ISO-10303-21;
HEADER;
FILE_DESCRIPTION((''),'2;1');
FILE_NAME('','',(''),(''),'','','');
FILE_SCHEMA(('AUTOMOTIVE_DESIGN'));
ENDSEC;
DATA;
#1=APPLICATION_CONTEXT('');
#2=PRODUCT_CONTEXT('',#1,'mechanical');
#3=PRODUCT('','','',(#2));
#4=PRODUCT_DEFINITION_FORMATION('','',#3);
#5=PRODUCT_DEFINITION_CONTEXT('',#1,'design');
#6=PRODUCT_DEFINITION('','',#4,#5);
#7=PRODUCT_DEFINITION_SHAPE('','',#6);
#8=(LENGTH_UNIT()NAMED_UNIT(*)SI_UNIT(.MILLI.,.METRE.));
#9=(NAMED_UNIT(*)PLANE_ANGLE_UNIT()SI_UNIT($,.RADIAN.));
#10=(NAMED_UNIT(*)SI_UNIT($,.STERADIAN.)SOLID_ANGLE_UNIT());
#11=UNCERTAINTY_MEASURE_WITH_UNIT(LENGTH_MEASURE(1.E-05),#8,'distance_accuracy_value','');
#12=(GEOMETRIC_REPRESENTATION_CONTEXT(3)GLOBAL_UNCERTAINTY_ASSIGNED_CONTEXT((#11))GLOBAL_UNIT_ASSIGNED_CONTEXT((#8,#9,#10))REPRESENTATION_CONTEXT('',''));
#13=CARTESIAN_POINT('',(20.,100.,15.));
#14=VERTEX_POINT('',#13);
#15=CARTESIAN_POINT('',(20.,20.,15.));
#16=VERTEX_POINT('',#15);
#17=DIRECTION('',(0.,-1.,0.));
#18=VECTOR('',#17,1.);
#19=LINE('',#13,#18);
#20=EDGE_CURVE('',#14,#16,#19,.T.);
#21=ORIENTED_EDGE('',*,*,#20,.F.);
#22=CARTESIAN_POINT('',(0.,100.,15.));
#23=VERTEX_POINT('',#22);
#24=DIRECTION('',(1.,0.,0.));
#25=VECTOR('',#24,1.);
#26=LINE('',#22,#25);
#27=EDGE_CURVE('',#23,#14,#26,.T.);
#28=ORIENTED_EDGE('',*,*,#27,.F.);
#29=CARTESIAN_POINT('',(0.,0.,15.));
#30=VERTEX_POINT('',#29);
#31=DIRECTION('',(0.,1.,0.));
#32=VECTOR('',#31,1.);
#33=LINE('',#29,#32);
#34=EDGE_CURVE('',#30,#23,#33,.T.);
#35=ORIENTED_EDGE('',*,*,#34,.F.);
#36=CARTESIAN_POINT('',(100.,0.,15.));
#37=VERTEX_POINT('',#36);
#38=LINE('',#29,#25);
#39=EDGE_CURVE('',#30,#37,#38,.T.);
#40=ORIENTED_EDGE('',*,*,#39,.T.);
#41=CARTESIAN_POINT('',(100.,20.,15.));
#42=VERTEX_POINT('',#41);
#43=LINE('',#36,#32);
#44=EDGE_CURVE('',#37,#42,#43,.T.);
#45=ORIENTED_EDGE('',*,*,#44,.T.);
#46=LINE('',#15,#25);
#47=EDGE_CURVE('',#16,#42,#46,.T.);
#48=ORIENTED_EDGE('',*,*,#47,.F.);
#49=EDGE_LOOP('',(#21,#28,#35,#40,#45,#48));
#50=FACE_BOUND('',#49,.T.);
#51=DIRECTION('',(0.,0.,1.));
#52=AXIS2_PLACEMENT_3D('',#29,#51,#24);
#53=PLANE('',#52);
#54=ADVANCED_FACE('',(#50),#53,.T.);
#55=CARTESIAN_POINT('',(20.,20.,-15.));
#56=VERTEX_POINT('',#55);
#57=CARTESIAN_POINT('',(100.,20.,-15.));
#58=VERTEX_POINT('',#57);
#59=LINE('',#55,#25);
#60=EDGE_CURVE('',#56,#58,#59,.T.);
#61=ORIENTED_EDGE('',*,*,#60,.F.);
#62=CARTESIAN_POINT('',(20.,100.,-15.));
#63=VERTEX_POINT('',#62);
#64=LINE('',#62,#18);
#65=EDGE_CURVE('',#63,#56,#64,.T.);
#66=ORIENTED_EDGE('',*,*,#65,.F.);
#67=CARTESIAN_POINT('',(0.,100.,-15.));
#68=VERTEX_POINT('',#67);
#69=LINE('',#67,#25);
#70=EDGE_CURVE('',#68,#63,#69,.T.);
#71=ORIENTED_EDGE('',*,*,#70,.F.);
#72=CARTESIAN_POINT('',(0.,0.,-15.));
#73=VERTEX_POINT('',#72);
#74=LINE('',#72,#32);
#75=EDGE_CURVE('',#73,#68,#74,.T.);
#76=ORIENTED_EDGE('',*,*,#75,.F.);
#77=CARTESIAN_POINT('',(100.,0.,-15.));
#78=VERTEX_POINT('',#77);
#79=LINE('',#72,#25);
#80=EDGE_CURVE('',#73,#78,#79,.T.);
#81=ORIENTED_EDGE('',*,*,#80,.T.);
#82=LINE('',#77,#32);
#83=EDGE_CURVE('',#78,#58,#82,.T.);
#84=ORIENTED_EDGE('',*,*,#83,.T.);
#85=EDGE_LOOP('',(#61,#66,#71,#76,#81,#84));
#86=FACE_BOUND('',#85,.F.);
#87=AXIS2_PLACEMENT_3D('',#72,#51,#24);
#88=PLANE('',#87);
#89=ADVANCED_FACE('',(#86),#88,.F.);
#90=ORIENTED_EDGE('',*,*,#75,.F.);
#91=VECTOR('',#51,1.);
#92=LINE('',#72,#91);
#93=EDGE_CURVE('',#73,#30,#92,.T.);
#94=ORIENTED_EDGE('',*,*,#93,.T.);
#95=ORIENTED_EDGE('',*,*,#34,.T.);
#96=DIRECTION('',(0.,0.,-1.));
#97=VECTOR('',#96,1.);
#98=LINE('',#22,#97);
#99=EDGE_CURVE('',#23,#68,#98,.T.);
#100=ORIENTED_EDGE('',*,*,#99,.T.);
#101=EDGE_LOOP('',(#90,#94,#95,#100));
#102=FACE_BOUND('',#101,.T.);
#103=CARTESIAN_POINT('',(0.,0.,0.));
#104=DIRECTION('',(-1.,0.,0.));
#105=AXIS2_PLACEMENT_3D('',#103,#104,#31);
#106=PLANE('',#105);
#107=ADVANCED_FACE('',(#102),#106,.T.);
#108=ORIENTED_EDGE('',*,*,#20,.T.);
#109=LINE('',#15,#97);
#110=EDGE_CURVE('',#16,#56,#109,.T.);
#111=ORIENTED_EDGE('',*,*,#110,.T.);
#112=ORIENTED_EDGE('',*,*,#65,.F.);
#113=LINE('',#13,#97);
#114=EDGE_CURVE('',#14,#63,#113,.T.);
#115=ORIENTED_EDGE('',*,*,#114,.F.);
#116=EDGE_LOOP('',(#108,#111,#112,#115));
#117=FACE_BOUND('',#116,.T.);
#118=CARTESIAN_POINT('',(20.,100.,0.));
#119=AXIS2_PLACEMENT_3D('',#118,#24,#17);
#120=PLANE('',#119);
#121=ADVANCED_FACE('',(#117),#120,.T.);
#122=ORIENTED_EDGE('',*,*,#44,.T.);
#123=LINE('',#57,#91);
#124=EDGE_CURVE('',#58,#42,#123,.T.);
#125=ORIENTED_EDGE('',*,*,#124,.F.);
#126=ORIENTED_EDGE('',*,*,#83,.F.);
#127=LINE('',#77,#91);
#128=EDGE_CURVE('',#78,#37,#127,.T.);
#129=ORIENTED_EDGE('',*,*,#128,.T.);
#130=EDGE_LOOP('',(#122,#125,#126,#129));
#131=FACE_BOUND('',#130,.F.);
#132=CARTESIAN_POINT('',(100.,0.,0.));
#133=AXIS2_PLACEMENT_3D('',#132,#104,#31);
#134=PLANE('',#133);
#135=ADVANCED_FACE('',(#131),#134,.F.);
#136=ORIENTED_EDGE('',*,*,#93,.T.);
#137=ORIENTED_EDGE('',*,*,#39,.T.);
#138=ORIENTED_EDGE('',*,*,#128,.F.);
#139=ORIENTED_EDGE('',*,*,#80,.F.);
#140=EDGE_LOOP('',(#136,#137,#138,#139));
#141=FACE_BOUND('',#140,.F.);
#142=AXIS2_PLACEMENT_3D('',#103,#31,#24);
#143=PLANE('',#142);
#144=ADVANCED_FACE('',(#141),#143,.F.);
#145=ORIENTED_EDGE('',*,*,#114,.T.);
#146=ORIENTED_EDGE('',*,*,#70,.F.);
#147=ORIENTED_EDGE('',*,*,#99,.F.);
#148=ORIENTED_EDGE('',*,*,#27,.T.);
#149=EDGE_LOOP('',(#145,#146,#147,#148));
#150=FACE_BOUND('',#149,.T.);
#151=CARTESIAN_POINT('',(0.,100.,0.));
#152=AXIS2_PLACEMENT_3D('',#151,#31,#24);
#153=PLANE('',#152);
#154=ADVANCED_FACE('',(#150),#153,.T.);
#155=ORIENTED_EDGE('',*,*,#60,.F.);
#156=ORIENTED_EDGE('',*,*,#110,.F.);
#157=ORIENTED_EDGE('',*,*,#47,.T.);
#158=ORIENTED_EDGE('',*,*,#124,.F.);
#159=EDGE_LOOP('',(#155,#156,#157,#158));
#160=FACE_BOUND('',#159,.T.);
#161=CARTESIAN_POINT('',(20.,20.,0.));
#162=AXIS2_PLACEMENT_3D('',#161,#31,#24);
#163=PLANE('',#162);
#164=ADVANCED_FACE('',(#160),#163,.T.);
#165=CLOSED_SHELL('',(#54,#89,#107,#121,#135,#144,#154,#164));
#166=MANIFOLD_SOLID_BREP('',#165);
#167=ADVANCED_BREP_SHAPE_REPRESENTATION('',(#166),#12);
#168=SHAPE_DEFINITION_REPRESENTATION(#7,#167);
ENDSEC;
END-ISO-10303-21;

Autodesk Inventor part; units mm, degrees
ref_plane "YZ Plane" through (0, 0, 0) normal (1, 0, 0) x (0, 1, 0)
ref_plane "XZ Plane" through (0, 0, 0) normal (0, 1, 0) x (-1, 0, 0)
ref_plane "XY Plane" through (0, 0, 0) normal (0, 0, 1) x (1, 0, 0)
sketch "Sketch1" plane through (0, 0, 0) normal (0, 0, 1) x (1, 0, 0)
  line L0 (0, 0) -> (100, 0)
  line L1 (100, 0) -> (100, 20)
  line L2 (0, 0) -> (0, 100)
  line L3 (0, 100) -> (20, 100)
  line L4 (20, 100) -> (20, 20)
  line L5 (20, 20) -> (100, 20)
  dimension "d0" = 100
  dimension "d1" = 20
  dimension "d2" = 100
  dimension "d3" = 20
extrude "Extrusion1" add sketch "Sketch1" along normal mid plane 30
properties part number "CE-10.1.2" material "Stainless Steel"
